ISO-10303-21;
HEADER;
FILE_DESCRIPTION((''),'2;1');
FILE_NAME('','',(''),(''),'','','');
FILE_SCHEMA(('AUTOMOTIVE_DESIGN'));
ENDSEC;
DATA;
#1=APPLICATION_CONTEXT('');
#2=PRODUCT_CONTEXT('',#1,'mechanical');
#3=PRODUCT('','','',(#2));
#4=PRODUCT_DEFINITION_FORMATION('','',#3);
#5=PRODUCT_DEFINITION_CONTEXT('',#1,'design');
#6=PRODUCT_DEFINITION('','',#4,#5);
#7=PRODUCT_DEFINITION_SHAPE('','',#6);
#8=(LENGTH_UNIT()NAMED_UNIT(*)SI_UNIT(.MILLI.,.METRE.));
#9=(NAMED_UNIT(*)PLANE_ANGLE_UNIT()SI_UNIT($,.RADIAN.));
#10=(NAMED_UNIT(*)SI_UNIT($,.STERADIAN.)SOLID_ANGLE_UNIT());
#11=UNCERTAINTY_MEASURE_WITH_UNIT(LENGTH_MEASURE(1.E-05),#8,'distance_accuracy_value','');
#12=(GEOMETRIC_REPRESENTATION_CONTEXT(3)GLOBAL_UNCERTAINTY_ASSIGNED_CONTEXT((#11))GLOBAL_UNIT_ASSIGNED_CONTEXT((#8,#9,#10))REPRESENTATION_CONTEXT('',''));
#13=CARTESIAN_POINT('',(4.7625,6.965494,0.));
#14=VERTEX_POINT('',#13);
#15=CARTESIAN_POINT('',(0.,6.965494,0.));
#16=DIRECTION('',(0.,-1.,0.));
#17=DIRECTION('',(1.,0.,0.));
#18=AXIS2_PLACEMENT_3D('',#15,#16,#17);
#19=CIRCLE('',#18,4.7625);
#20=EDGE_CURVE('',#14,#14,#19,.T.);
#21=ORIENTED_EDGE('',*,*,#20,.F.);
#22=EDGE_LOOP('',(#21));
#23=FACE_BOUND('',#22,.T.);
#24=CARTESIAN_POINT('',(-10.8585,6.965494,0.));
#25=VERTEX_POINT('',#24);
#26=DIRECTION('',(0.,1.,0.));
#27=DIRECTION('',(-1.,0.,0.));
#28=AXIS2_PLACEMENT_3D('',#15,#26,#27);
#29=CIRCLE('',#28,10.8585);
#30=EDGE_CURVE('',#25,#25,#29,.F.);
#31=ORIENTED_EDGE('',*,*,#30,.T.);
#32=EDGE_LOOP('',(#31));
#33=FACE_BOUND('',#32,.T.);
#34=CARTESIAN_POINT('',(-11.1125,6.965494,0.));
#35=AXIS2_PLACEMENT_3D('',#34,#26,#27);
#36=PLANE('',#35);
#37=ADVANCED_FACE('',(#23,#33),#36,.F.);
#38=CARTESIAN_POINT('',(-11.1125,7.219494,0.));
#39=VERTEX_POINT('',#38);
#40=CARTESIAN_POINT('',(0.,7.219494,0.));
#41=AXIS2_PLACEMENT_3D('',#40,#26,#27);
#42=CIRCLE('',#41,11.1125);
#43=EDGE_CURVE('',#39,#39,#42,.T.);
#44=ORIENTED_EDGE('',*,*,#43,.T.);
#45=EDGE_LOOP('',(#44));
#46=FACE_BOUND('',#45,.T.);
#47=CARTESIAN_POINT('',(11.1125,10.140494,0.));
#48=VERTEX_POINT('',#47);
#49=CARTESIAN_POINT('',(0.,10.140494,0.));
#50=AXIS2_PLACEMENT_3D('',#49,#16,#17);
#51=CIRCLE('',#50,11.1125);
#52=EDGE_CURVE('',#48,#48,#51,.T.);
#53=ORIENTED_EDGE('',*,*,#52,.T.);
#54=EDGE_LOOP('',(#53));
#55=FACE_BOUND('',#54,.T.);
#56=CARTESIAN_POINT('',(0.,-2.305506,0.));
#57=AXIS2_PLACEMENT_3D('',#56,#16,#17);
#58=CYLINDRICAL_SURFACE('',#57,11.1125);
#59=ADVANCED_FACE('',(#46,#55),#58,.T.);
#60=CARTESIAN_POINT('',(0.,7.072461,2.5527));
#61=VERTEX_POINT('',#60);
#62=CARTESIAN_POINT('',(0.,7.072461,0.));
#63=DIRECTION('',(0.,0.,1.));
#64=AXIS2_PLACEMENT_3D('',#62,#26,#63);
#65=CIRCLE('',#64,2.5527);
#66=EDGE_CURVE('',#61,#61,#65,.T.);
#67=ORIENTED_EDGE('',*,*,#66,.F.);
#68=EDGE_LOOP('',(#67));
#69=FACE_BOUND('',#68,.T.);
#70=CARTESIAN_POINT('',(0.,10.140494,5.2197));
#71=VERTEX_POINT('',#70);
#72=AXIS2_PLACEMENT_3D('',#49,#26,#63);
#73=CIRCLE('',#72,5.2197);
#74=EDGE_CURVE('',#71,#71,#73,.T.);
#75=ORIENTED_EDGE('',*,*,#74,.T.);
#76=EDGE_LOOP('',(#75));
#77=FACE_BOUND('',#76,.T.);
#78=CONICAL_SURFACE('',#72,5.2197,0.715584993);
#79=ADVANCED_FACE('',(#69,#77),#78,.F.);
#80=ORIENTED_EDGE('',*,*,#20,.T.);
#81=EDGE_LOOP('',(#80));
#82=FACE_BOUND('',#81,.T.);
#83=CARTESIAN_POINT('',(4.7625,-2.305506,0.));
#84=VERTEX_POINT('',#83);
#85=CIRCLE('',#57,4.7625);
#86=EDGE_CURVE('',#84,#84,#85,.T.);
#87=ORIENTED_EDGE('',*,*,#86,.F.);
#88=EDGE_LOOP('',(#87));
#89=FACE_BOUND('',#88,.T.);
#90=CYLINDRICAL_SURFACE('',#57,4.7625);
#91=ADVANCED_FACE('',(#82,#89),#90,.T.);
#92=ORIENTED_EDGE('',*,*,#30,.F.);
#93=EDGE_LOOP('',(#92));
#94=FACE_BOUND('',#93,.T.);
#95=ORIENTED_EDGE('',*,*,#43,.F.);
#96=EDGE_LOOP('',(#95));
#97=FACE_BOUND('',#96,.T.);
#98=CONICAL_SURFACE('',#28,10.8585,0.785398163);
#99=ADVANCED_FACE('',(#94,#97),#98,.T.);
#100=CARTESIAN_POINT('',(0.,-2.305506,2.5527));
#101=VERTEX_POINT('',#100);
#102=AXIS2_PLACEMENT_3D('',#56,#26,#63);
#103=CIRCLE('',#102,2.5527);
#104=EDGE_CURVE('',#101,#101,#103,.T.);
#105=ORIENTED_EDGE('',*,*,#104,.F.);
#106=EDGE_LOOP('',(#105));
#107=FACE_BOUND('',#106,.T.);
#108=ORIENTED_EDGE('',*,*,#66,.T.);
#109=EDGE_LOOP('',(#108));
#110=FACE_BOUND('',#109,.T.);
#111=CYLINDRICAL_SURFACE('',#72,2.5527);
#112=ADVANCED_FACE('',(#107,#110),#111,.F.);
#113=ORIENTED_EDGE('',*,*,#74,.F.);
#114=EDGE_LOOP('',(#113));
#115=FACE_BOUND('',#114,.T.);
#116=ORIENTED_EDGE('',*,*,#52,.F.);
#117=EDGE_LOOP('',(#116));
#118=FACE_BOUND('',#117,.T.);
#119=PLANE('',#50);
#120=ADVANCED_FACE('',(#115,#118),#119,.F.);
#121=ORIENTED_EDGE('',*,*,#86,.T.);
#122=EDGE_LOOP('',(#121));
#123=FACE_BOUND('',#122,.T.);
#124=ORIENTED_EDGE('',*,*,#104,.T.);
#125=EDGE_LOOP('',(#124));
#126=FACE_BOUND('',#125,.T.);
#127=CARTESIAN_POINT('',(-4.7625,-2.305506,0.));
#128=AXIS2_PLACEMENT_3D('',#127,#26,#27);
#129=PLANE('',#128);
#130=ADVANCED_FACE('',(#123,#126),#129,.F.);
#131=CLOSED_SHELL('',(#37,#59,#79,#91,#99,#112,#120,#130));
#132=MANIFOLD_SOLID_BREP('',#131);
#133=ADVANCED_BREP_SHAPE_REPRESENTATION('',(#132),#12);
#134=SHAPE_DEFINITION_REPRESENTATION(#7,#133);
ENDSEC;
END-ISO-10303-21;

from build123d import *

# Parameters (mm, degrees)
CSK_FOR_10_FLAT_HEAD_SOCKET_CAP_SCREW1_D           = 5.1054
CSK_FOR_10_FLAT_HEAD_SOCKET_CAP_SCREW1_CSINK_D     = 10.4394
CSK_FOR_10_FLAT_HEAD_SOCKET_CAP_SCREW1_CSINK_ANGLE = 82
CHAMFER1_SIZE                                      = 0.254


with BuildPart() as part:
    # Sketch2 → Revolve1 (revolve)
    with BuildSketch(Plane.XY, mode=Mode.PRIVATE) as revolve1_sk:
        Polygon((0, 10.140493615), (-11.1125, 10.140493615), (-11.1125, 6.965493615), (-4.7625, 6.965493615), (-4.7625, -2.305506385), (0, -2.305506385), align=None)
    revolve(revolve1_sk.sketch.rotate(Axis((0, -2.305506385, 0), (0, 1, 0)), 180), axis=Axis((0, -2.305506385, 0), (0, 1, 0)))

    # CSK for #10 Flat Head Socket Cap Screw1 (through all)
    with Locations(Plane(origin=(0, 10.140493615, 0), x_dir=(1, 0, 0), z_dir=(0, 1, 0))):
        with Locations((0, 0)):
            CounterSinkHole(CSK_FOR_10_FLAT_HEAD_SOCKET_CAP_SCREW1_D / 2, CSK_FOR_10_FLAT_HEAD_SOCKET_CAP_SCREW1_CSINK_D / 2, counter_sink_angle=CSK_FOR_10_FLAT_HEAD_SOCKET_CAP_SCREW1_CSINK_ANGLE)

    # Chamfer1
    chamfer1_edges = [part.edges().sort_by_distance(p)[0] for p in [
        (-11.1125, 6.965493615, 0),
    ]]
    chamfer(chamfer1_edges, length=CHAMFER1_SIZE)


solid = part.part
